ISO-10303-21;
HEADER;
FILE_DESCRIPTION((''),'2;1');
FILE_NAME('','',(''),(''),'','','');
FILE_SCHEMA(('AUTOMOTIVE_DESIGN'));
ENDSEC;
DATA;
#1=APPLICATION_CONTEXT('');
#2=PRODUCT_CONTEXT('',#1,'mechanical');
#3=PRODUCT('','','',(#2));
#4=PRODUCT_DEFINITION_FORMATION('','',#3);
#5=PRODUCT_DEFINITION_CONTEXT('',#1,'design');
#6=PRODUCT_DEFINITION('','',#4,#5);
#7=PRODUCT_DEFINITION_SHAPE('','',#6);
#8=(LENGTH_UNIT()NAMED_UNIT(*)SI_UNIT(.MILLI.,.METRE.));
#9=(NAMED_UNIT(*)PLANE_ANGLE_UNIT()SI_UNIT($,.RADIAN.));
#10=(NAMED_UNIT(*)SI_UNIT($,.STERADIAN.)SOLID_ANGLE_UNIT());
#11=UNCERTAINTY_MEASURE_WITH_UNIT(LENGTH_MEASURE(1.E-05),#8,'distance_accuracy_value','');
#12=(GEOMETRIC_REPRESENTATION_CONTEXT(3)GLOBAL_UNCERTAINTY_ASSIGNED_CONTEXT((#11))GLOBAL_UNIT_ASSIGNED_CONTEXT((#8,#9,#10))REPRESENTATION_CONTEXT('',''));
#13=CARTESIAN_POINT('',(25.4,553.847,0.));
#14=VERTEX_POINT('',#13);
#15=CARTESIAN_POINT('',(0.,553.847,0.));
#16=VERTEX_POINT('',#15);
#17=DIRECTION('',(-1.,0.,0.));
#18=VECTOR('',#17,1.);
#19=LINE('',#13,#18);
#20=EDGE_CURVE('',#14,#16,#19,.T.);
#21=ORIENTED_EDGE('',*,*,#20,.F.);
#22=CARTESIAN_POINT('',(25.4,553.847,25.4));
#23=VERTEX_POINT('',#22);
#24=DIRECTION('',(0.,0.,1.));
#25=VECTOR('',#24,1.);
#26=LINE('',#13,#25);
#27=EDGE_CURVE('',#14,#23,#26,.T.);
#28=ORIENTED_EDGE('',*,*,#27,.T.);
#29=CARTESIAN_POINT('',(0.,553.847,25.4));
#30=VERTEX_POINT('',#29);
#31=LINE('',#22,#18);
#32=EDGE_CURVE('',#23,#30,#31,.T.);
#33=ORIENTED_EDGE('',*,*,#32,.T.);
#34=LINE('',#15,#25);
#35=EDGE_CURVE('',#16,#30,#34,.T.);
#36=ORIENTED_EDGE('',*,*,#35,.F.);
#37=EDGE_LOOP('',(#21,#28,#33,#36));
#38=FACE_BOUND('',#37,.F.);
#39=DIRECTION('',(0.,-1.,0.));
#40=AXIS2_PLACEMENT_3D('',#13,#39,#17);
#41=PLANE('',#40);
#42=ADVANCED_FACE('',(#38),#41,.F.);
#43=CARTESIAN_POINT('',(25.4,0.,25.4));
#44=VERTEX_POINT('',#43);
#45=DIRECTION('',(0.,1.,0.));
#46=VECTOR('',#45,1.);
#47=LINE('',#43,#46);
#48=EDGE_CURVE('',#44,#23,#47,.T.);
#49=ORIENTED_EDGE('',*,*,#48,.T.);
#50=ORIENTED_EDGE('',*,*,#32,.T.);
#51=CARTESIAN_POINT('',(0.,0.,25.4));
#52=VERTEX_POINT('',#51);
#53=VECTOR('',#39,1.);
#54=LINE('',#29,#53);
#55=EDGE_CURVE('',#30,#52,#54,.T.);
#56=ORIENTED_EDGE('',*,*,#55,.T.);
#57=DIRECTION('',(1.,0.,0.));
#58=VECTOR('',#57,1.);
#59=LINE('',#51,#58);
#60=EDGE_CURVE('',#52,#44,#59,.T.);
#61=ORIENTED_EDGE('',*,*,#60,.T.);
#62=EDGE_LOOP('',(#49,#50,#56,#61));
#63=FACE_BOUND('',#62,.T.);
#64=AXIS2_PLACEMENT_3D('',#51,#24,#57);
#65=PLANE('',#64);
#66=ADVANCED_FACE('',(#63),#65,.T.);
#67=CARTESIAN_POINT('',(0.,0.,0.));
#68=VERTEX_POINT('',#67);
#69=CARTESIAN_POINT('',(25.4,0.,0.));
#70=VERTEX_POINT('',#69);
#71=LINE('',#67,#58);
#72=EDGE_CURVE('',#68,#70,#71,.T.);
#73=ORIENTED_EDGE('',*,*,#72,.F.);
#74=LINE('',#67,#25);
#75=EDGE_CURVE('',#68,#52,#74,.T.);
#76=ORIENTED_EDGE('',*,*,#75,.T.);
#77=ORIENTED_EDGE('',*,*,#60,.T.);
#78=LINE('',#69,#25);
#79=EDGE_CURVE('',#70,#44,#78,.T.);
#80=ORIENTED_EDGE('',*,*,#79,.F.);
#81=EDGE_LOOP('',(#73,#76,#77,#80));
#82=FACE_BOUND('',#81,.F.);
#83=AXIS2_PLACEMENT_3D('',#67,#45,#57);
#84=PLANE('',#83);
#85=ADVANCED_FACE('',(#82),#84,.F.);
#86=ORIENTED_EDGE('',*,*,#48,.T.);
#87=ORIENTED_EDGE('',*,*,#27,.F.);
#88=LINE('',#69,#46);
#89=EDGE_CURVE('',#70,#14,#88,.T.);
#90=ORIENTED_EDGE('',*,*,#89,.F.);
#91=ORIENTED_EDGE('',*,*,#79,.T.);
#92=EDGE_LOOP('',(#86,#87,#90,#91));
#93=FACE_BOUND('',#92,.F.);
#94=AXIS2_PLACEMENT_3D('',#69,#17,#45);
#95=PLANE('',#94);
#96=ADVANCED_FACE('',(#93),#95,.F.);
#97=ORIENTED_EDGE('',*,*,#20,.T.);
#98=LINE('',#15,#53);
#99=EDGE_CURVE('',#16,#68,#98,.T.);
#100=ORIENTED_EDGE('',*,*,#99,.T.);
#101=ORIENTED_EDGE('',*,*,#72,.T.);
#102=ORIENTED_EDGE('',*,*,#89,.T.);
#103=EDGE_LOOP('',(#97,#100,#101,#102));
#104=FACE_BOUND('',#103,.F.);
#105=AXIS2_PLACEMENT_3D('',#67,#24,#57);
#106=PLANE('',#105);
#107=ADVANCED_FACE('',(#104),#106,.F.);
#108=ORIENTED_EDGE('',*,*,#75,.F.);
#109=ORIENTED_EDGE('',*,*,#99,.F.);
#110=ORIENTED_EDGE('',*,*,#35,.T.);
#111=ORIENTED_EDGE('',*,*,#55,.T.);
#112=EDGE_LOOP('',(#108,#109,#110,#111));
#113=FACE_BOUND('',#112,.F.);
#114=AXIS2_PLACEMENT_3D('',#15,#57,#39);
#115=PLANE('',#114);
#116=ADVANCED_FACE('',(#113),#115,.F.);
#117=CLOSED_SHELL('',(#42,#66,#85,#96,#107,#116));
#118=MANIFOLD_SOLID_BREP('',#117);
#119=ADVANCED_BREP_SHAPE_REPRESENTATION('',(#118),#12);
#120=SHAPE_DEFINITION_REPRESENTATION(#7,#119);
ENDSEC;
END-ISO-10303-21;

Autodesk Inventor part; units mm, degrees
ref_plane "YZ Plane" through (0, 0, 0) normal (1, 0, 0) x (0, 1, 0)
ref_plane "XZ Plane" through (0, 0, 0) normal (0, 1, 0) x (-1, 0, 0)
ref_plane "XY Plane" through (0, 0, 0) normal (0, 0, 1) x (1, 0, 0)
sketch "Sketch1" plane through (0, 0, 0) normal (0, 0, 1) x (1, 0, 0)
  line L0 (0, 0) -> (25.4, 0)
  line L1 (25.4, 0) -> (25.4, 553.847)
  line L2 (25.4, 553.847) -> (0, 553.847)
  line L3 (0, 553.847) -> (0, 0)
  dimension "d0" = 25.4
  dimension "d1" = 553.847
extrude "Extrusion1" add sketch "Sketch1" along normal blind 25.4
properties part number "armt0pper2"
